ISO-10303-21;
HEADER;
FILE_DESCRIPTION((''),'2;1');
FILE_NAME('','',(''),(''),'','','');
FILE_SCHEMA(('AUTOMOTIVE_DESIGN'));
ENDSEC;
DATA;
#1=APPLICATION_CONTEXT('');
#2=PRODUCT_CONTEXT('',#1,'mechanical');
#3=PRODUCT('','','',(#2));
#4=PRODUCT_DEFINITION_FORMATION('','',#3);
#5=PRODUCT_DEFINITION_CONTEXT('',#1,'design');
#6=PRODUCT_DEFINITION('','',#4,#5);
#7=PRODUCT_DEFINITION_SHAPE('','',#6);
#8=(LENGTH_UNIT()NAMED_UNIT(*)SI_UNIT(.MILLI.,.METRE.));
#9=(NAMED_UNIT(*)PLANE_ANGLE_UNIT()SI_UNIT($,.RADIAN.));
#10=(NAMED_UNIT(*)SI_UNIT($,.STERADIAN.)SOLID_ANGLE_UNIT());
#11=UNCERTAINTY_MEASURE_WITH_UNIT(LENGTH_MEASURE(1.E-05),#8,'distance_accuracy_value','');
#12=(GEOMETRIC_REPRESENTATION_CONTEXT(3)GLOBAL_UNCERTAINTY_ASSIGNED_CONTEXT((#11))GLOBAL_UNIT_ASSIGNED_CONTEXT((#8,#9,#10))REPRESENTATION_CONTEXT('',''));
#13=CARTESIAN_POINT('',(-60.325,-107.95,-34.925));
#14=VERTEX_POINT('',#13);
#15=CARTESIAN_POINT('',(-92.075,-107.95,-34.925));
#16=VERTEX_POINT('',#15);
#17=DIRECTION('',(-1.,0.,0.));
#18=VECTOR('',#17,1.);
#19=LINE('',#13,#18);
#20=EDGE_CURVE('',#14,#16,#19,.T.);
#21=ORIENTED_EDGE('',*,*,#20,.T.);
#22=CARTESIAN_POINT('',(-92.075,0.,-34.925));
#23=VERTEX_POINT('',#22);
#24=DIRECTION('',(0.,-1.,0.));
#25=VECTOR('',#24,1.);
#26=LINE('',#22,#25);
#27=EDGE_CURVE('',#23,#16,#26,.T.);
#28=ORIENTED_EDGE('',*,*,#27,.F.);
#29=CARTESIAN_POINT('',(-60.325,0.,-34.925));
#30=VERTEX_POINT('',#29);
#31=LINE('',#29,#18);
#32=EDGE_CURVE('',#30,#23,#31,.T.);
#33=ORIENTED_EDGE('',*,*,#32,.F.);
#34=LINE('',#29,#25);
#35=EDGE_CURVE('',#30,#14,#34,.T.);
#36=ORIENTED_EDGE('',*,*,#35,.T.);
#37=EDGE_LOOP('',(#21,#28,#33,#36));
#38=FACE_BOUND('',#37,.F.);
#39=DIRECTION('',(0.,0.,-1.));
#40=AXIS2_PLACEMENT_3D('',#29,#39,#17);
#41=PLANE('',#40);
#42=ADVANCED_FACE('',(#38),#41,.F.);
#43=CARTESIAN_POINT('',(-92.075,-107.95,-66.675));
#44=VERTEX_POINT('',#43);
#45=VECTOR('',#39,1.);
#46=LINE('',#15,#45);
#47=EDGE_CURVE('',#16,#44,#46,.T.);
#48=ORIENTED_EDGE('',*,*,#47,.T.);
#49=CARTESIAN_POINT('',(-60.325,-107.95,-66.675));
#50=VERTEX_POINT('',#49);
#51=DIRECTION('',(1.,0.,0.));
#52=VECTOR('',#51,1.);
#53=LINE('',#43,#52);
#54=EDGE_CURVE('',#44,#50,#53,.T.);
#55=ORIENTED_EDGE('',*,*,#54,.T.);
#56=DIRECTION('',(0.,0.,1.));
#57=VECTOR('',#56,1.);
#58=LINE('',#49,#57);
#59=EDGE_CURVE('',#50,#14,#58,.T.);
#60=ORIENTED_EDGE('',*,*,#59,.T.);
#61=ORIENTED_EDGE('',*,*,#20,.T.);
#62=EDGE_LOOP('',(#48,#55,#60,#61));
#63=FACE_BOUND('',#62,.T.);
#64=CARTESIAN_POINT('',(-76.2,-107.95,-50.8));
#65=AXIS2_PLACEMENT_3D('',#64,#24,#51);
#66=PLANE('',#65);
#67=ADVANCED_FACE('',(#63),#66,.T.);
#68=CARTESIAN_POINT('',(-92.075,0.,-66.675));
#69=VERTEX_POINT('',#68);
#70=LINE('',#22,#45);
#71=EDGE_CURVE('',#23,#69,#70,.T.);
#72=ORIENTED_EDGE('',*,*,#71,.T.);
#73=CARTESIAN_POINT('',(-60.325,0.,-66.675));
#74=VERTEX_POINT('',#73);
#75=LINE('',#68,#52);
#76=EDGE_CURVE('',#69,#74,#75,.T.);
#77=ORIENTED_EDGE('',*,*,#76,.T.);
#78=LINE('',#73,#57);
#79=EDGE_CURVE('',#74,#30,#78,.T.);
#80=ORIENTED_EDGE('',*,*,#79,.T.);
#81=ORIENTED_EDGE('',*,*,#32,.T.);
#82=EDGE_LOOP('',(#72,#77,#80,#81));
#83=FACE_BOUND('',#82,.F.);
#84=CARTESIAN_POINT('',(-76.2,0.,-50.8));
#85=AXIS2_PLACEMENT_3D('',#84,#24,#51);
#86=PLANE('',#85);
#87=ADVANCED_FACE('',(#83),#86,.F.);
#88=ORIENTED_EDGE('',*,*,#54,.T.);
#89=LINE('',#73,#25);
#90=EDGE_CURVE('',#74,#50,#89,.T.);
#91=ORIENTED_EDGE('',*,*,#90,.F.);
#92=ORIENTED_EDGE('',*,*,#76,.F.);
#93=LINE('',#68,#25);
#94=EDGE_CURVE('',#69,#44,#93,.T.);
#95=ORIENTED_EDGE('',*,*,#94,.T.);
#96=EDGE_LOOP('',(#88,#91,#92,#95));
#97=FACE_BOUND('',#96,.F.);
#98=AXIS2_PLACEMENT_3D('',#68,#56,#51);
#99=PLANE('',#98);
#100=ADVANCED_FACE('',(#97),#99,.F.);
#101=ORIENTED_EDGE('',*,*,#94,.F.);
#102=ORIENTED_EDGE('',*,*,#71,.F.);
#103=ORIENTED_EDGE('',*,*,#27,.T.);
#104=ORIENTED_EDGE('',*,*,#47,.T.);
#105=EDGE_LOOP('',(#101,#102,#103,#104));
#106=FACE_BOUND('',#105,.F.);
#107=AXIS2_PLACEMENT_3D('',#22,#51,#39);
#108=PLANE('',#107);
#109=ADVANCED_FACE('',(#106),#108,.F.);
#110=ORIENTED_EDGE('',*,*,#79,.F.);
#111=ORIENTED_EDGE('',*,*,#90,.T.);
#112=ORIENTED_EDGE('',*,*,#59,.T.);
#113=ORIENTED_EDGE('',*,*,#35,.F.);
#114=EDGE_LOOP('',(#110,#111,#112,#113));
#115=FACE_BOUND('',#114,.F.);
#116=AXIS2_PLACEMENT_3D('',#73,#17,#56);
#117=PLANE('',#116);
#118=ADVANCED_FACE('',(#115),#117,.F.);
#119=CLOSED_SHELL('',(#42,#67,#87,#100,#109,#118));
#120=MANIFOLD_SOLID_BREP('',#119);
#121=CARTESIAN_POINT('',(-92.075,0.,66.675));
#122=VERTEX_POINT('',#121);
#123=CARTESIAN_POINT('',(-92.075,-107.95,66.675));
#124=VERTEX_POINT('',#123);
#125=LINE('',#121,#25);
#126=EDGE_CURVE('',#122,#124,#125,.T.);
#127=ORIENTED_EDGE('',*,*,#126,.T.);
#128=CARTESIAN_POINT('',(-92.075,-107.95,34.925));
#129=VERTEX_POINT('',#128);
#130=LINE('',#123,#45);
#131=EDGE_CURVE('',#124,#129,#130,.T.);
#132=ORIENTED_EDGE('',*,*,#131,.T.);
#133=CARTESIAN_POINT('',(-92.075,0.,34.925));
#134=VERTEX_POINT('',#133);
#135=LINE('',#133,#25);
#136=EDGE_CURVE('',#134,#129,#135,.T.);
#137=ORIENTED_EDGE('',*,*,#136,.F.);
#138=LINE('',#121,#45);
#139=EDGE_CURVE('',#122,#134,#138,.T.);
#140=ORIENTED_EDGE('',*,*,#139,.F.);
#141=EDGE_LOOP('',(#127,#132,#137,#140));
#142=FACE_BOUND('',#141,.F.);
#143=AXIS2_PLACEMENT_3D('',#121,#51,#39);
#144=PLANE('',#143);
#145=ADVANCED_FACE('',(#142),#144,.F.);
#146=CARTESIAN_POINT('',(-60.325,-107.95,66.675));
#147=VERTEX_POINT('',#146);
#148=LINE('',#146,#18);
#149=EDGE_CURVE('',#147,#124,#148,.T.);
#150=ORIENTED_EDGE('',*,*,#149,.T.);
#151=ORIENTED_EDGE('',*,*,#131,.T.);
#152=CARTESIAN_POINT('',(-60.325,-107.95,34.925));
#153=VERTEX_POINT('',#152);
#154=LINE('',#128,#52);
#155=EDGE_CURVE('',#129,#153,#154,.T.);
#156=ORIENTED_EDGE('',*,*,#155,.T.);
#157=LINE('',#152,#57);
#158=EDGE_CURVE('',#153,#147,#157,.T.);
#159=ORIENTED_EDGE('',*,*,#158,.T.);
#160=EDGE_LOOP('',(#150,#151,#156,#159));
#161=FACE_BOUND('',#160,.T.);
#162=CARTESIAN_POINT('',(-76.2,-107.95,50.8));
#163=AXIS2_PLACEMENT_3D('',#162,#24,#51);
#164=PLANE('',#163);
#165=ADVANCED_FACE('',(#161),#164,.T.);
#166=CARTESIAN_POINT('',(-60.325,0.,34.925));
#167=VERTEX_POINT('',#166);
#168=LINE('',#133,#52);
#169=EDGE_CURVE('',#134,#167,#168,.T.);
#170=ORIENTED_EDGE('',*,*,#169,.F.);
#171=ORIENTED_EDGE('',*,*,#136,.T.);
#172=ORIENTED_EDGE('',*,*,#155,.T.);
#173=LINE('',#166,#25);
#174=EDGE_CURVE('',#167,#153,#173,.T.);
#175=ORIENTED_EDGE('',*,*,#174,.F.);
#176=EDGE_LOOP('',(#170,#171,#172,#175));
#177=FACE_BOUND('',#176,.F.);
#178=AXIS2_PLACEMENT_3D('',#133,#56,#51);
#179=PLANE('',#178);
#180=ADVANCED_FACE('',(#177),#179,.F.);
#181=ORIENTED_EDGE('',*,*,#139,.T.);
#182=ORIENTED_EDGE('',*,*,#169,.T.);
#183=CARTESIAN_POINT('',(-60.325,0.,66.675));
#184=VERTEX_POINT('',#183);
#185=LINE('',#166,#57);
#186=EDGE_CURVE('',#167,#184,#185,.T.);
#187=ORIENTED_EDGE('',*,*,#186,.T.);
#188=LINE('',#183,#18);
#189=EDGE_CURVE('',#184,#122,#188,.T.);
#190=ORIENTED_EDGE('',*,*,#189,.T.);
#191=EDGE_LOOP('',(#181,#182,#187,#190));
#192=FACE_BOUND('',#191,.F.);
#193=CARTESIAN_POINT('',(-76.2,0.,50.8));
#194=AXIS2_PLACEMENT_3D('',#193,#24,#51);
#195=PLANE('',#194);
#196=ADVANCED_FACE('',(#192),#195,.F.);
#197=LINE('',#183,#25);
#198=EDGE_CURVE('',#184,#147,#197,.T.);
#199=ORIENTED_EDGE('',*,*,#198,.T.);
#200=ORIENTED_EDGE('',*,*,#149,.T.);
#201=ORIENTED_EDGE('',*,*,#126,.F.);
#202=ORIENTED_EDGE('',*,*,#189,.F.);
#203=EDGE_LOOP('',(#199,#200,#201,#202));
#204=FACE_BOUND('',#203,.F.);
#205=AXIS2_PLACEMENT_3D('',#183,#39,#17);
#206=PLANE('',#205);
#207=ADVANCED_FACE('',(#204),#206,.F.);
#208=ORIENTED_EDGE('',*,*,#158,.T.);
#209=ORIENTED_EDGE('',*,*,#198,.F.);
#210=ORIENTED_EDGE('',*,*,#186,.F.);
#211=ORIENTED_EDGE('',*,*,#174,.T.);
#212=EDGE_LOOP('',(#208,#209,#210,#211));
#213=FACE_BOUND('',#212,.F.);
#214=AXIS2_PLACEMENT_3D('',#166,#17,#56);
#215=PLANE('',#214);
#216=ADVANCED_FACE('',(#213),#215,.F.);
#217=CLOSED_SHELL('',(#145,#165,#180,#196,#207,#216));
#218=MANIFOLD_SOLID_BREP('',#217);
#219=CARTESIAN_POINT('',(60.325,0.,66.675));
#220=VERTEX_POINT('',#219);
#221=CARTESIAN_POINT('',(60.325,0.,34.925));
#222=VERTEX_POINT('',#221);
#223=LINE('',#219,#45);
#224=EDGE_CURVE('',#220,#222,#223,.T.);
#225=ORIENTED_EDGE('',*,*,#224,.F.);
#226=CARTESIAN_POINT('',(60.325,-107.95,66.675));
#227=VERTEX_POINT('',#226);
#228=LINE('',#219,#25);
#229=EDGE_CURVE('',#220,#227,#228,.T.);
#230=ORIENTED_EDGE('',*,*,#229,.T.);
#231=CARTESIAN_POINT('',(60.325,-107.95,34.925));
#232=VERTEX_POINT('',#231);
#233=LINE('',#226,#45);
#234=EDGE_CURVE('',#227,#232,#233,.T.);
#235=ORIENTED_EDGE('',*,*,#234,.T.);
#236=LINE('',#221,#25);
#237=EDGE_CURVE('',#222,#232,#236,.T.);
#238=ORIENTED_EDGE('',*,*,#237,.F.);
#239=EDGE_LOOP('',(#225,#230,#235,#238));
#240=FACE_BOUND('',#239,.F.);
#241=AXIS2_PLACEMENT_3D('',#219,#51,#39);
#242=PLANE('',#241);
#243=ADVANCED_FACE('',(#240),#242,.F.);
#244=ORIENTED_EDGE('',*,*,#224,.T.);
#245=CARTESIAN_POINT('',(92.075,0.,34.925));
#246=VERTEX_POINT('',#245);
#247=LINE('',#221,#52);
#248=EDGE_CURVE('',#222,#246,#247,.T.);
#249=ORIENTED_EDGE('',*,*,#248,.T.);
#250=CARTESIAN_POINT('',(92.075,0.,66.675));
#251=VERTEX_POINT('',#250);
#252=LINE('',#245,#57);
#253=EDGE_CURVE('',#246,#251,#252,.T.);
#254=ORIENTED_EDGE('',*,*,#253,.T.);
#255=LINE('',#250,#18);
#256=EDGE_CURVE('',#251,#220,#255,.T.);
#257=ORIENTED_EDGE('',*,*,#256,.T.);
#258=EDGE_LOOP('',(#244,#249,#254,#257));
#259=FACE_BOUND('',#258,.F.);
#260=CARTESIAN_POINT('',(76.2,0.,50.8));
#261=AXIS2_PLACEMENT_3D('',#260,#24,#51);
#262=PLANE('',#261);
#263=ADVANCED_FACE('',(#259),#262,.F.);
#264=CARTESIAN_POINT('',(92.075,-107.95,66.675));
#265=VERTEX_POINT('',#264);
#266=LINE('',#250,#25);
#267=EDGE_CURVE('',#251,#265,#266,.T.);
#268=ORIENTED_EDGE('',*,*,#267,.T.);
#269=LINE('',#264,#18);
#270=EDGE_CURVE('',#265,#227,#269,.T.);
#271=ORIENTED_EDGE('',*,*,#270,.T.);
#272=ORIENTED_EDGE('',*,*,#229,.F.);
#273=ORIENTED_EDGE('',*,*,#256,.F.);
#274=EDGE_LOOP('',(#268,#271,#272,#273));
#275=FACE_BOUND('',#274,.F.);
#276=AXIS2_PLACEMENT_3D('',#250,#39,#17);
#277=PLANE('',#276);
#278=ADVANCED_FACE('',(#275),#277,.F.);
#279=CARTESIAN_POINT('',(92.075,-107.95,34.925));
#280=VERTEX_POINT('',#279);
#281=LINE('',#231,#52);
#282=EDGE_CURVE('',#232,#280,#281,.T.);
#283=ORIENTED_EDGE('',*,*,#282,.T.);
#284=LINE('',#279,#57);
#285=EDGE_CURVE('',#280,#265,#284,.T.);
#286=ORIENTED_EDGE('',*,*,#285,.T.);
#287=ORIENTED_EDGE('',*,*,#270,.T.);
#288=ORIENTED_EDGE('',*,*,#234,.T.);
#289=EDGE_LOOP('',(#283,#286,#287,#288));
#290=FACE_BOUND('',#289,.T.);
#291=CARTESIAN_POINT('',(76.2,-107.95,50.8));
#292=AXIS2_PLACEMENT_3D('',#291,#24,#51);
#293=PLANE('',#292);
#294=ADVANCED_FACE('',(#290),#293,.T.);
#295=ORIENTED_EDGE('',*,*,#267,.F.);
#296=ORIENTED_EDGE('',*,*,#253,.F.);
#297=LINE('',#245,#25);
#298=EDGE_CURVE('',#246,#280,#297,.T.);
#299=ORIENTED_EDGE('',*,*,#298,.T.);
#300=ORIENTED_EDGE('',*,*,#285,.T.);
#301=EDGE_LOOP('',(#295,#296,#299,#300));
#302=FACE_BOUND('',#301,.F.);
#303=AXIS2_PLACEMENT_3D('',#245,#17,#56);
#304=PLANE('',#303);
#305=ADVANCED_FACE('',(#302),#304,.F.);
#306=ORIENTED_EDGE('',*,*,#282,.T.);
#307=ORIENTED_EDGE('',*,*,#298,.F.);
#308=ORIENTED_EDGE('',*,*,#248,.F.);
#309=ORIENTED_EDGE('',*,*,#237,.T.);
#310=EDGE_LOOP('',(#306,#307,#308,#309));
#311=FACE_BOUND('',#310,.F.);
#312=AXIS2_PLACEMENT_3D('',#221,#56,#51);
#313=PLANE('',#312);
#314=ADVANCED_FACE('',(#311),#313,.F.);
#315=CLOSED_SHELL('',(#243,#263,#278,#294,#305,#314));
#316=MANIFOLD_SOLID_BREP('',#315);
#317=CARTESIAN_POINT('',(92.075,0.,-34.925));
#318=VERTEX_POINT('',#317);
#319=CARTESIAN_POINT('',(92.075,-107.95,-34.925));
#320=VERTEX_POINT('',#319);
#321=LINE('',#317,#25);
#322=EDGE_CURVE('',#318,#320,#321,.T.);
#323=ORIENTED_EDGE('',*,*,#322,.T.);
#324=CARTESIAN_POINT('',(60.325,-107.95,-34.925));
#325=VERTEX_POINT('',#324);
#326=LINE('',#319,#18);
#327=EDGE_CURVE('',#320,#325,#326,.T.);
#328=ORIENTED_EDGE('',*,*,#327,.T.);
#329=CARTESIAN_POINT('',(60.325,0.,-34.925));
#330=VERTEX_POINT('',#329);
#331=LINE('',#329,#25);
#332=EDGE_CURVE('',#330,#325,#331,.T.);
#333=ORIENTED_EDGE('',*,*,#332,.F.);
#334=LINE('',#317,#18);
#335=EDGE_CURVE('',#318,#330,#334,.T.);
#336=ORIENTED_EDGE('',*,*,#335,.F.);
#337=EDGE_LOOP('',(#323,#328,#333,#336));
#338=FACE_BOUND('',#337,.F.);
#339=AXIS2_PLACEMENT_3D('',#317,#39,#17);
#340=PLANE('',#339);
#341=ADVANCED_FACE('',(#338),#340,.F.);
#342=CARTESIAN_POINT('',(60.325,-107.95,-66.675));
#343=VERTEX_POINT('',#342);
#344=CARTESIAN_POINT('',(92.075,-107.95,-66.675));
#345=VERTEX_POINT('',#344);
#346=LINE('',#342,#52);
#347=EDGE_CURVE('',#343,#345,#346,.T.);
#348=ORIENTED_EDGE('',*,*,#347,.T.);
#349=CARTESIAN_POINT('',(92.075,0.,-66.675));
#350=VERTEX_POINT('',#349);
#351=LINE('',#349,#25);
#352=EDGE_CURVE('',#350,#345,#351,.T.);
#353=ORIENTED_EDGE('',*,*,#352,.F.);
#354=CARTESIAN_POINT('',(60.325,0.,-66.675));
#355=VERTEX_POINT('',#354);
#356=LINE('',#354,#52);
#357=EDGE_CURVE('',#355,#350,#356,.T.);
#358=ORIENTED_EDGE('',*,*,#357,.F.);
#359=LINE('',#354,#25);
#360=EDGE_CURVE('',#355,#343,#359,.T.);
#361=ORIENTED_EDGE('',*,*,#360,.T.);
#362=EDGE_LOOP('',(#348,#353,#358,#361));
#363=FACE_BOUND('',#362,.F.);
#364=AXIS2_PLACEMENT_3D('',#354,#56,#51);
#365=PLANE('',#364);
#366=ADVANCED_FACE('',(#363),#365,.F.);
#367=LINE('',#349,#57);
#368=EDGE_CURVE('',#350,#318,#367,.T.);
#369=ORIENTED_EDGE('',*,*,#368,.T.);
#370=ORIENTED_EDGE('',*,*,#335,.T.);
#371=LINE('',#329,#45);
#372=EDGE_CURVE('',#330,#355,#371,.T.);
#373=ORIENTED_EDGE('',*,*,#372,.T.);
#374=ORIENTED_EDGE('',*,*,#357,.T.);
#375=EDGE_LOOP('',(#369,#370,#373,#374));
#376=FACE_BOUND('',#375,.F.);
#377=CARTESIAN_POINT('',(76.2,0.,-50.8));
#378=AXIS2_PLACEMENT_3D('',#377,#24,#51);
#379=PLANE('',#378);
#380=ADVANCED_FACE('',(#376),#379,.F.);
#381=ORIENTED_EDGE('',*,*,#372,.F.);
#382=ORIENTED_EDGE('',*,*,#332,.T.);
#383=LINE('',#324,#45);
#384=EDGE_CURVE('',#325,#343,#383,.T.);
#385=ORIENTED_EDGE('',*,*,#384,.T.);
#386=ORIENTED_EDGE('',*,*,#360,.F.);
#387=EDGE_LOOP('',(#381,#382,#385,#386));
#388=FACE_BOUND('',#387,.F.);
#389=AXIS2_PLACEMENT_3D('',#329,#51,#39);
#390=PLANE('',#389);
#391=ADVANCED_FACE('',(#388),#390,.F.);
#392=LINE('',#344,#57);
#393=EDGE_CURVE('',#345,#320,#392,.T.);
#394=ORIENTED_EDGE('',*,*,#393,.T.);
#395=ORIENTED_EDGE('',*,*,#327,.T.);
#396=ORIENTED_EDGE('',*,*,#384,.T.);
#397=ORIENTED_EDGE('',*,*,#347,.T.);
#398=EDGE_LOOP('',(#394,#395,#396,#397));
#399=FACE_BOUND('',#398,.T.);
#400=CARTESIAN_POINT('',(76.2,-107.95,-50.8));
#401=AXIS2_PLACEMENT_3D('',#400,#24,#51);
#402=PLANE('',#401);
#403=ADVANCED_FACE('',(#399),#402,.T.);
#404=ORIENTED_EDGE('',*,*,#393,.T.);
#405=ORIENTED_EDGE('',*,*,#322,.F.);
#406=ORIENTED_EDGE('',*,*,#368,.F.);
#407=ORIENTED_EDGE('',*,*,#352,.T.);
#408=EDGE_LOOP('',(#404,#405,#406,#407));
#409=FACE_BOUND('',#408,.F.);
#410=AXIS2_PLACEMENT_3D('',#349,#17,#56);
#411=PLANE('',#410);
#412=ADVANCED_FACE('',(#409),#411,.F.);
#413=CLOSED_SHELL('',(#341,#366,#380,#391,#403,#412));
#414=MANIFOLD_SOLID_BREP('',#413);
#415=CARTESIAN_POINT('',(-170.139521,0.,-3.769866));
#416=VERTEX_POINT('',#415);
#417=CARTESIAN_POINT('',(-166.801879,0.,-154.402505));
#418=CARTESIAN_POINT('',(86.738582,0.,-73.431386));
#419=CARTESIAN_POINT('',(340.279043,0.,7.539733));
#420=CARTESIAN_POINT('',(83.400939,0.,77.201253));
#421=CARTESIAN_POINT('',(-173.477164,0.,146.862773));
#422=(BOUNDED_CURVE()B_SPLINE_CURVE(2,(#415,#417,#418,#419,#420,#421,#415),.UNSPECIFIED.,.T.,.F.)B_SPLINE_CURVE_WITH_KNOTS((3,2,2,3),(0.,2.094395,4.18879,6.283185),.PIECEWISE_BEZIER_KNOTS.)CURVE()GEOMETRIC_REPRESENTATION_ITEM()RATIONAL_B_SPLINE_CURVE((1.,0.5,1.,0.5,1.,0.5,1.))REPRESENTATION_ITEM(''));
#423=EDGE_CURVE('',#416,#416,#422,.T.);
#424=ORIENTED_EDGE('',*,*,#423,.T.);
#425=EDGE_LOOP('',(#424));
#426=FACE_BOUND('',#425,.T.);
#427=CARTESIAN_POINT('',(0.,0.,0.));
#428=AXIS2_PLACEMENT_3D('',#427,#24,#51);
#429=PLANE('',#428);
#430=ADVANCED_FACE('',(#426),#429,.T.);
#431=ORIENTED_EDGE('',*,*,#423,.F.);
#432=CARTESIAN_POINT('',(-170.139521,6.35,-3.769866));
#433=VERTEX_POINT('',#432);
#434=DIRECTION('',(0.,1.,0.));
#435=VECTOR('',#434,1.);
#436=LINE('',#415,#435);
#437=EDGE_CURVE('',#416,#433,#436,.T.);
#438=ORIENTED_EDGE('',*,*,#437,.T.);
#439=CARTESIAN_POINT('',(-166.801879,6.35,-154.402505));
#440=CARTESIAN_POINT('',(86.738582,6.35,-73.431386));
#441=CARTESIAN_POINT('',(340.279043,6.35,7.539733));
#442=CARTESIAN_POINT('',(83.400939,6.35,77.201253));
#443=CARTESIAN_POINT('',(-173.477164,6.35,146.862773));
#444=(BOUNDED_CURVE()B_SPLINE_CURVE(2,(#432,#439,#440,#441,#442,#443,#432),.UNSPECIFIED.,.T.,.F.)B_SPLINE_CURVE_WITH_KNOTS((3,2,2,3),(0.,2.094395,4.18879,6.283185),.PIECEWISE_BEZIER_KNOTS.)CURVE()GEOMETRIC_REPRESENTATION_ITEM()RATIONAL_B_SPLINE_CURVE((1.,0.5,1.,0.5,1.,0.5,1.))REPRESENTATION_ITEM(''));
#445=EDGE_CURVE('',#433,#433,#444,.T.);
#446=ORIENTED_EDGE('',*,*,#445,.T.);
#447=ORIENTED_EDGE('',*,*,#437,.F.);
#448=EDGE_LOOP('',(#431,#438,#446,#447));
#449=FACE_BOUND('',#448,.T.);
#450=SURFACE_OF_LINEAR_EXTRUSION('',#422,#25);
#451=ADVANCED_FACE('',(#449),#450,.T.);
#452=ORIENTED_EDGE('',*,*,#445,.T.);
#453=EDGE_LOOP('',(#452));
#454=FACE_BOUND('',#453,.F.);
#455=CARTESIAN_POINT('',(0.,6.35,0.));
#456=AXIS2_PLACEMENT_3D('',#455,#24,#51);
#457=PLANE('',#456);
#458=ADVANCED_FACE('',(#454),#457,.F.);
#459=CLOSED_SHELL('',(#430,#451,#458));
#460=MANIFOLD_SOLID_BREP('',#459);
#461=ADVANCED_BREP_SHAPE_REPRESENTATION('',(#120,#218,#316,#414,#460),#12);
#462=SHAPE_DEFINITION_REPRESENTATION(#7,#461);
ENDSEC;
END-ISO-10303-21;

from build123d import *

# Parameters (mm, degrees)
F1_DEPTH = 107.95
F3_DEPTH = 6.35


with BuildPart() as f1:
    # F0 (on Front) → F1 (new body)
    with BuildSketch(Plane.XZ):
        Polygon((-92.075, 34.925), (-76.2, 34.925), (-60.325, 34.925), (-60.325, 66.675), (-92.075, 66.675), align=None)
        Polygon((60.325, 34.925), (76.2, 34.925), (92.075, 34.925), (92.075, 66.675), (60.325, 66.675), align=None)
        Polygon((92.075, -34.925), (76.2, -34.925), (60.325, -34.925), (60.325, -66.675), (92.075, -66.675), align=None)
        Polygon((-60.325, -34.925), (-76.2, -34.925), (-92.075, -34.925), (-92.075, -66.675), (-60.325, -66.675), align=None)
    extrude(amount=F1_DEPTH)


with BuildPart() as f3:
    # F2 (on Front) → F3 (new body)
    with BuildSketch(Plane.XZ):
        with BuildLine():
            add(Edge.make_bspline(
                [(-170.139521, -3.769866), (-166.801879, -154.402505), (86.738582, -73.431386), (340.279043, 7.539733), (83.400939, 77.201253), (-173.477164, 146.862773), (-170.139521, -3.769866)],
                knots=[0, 0, 0, 2.094395, 2.094395, 4.18879, 4.18879, 6.283185, 6.283185, 6.283185], degree=2, weights=[1, 0.5, 1, 0.5, 1, 0.5, 1]))
        make_face()
    extrude(amount=-F3_DEPTH)


solid = Compound([f1.part, f3.part])
